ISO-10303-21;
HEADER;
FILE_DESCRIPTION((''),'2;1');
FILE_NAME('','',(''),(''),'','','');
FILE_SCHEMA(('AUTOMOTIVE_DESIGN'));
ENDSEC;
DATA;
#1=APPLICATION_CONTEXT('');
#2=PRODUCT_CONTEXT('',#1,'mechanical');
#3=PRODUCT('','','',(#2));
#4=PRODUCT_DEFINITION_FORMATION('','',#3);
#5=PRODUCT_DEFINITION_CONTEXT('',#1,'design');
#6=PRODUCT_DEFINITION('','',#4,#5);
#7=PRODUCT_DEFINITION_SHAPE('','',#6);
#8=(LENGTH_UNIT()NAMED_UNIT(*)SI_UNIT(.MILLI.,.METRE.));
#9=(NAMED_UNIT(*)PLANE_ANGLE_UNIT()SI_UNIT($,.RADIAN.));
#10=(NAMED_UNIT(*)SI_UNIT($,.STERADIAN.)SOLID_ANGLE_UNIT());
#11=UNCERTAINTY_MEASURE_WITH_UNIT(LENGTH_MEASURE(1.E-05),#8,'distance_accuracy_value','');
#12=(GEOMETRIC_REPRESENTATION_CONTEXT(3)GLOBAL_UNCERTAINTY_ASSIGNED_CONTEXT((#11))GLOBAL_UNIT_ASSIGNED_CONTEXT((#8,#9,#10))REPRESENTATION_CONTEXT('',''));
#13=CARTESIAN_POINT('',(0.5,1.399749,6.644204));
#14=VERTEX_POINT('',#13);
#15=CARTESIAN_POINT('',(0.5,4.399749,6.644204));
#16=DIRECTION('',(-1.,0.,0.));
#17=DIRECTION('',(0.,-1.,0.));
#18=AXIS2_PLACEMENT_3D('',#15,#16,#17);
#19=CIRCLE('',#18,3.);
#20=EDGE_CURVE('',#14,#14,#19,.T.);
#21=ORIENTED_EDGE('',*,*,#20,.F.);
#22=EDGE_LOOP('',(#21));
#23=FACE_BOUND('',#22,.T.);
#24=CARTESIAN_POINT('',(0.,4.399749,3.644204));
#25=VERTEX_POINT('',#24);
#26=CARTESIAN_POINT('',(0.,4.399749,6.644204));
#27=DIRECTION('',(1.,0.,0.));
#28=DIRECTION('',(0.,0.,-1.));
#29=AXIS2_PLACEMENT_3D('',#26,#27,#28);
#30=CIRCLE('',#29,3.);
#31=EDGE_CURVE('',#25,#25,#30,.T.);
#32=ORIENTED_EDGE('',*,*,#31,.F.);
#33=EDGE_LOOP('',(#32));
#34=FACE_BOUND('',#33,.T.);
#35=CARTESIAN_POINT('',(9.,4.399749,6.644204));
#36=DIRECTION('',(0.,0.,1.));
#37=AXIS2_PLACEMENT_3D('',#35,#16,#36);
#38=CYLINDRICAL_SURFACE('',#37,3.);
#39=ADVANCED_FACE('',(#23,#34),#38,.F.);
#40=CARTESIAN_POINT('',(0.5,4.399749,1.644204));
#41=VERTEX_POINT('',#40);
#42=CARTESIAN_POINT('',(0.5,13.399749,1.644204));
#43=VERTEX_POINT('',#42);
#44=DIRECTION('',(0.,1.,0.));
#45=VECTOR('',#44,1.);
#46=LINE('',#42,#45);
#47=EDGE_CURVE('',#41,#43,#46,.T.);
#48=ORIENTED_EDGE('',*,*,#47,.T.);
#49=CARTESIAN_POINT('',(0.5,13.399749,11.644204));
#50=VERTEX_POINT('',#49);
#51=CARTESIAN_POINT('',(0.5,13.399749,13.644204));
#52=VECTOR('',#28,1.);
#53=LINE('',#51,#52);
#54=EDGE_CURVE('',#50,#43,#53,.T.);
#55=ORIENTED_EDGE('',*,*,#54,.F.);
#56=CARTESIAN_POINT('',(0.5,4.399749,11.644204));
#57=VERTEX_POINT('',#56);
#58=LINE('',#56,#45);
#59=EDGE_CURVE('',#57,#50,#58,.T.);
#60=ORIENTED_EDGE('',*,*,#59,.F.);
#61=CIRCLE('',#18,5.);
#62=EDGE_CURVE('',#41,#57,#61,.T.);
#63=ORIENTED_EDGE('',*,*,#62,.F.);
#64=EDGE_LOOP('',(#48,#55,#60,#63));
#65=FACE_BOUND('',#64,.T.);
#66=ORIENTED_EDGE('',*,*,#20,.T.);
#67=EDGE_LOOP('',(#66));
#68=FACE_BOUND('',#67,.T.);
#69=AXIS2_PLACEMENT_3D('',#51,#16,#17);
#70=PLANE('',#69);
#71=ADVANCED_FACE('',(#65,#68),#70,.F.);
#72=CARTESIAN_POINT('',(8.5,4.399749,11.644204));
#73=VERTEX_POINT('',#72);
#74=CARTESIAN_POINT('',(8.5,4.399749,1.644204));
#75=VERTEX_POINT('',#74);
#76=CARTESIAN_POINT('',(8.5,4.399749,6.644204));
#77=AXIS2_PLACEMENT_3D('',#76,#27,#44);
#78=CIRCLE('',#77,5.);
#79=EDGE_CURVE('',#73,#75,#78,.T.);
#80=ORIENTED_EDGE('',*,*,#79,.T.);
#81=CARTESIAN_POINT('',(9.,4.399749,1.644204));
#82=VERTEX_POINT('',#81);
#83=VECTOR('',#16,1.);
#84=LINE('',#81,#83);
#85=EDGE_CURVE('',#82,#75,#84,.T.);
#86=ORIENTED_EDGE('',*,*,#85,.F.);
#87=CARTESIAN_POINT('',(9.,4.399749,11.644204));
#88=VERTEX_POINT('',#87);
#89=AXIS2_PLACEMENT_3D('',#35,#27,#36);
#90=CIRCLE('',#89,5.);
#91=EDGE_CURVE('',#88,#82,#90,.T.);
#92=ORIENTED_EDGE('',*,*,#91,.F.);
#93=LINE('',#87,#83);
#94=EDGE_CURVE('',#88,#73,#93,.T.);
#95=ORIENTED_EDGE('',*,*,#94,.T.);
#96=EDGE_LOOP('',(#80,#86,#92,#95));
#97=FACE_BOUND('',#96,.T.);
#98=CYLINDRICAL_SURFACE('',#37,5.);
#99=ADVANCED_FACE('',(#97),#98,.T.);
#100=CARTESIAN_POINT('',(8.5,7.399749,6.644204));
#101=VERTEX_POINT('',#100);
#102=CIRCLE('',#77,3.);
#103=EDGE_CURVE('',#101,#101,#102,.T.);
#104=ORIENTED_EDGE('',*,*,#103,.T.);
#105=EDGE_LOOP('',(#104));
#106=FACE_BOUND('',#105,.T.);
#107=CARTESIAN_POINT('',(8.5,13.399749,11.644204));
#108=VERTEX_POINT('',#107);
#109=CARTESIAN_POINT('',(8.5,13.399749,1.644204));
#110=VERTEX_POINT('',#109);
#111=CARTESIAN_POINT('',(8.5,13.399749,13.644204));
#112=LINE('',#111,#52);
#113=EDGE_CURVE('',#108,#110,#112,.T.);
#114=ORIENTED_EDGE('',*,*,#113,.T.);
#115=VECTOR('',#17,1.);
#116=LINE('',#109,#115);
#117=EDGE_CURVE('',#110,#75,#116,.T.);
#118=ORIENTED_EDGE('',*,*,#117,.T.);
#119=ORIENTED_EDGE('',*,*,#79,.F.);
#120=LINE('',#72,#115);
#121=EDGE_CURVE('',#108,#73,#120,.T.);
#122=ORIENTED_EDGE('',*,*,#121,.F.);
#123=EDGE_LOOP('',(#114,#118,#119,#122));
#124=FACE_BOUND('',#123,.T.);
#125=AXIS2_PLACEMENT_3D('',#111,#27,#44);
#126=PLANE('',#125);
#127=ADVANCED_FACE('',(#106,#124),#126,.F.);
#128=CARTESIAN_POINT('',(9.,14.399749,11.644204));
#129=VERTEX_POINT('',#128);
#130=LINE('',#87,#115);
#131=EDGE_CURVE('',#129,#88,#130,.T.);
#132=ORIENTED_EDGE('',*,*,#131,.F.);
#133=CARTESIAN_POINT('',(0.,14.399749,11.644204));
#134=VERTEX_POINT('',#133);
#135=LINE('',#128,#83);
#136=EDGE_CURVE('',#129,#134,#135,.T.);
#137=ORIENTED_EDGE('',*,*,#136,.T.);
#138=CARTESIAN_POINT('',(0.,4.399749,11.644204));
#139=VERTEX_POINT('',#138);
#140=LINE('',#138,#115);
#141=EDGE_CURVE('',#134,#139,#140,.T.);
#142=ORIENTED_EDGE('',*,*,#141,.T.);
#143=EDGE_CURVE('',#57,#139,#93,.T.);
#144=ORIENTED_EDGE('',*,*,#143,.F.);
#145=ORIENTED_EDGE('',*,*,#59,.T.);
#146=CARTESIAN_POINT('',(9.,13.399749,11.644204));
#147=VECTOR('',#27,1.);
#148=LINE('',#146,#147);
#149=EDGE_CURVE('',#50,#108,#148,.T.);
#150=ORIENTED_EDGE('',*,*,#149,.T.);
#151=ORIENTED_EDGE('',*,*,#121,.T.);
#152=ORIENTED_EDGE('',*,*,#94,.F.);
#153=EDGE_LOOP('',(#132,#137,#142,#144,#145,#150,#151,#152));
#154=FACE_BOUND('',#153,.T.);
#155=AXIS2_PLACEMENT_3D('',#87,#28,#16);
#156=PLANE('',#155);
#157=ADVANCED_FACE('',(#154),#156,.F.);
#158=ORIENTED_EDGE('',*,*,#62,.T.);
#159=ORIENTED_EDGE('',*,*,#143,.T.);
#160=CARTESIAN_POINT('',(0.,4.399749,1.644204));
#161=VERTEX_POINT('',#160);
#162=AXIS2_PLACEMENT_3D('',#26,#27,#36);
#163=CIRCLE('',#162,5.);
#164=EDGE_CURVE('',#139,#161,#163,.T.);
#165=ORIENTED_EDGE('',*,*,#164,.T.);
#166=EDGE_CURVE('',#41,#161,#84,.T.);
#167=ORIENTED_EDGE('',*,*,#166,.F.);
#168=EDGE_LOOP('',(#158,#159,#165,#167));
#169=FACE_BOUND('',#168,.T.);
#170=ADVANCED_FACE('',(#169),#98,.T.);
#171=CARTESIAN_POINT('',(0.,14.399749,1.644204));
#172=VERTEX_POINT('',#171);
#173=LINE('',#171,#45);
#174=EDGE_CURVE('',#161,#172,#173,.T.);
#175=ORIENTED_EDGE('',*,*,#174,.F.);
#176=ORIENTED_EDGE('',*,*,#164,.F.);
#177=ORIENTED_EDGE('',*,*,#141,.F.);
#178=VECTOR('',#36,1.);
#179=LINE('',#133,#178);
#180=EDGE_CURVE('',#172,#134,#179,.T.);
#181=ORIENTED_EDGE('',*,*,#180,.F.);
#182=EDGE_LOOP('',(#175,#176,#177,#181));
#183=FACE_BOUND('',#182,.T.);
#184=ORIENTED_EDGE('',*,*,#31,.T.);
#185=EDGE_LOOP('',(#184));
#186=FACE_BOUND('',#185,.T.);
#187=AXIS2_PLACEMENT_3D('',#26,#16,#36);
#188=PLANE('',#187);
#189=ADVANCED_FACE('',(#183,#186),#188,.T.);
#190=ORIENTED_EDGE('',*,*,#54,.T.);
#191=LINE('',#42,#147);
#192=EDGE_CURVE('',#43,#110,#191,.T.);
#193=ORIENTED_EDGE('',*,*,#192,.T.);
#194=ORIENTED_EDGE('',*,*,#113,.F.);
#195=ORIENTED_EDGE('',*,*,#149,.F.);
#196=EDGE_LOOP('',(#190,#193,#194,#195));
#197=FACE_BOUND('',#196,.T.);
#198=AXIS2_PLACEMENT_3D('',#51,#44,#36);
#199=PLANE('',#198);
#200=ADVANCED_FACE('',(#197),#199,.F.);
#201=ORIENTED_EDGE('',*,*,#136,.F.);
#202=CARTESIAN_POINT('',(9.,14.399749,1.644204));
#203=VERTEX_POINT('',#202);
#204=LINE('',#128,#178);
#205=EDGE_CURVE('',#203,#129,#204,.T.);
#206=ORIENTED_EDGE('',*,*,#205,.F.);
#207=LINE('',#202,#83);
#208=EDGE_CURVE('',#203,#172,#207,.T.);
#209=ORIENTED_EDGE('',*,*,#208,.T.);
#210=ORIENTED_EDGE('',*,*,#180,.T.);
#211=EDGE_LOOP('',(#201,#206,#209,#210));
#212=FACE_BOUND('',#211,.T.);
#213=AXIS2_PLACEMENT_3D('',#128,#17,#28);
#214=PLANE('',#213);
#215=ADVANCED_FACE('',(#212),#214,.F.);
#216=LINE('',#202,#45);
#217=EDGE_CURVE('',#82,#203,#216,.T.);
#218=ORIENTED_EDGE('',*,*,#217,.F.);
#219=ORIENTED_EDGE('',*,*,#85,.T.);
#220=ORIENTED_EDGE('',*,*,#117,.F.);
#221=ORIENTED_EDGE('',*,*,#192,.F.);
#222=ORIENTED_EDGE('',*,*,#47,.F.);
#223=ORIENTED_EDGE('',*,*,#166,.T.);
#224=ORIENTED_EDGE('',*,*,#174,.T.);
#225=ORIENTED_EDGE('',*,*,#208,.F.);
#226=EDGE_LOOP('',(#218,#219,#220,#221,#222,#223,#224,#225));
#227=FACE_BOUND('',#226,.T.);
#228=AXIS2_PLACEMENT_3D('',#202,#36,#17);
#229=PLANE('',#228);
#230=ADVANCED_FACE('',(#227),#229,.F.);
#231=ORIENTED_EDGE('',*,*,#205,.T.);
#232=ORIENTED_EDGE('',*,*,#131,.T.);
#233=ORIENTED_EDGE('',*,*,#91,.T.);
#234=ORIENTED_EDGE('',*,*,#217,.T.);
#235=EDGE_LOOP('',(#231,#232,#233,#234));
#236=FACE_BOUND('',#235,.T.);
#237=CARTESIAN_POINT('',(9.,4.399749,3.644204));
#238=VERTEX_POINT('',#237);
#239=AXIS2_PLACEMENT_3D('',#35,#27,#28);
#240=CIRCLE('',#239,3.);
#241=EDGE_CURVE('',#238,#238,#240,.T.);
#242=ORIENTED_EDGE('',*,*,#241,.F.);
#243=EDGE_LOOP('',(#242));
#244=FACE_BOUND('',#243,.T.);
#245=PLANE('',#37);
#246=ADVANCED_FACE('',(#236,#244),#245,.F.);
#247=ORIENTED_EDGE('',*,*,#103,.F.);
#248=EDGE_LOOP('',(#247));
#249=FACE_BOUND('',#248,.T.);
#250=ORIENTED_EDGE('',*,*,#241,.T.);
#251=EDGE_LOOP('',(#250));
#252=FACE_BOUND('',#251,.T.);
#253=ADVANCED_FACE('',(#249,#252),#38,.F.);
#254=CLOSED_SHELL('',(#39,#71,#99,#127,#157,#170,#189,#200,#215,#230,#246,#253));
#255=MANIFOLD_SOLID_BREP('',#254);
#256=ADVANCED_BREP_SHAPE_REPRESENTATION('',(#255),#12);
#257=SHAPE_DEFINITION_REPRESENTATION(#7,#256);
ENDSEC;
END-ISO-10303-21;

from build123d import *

# Parameters (mm, degrees)
SKETCH1_R           = 3
BOSS_EXTRUDE1_DEPTH = 9
SKETCH3_W           = 8
SKETCH3_H           = 14.926112698
CUT_EXTRUDE1_DEPTH  = 12


with BuildPart() as part:
    # Sketch1 → Boss-Extrude1 (new body)
    with BuildSketch(Plane(origin=(0, 0, 0), x_dir=(0, 0, -1), z_dir=(1, 0, 0))):
        with BuildLine():
            Line((-11.644204214, 4.399749293), (-11.644204214, 14.399749293))
            Line((-11.644204214, 14.399749293), (-1.644204214, 14.399749293))
            Line((-1.644204214, 14.399749293), (-1.644204214, 4.399749293))
            ThreePointArc((-1.644204214, 4.399749293), (-6.644204214, -0.600250707), (-11.644204214, 4.399749293))
        make_face()
        with Locations((-6.644204214, 4.399749293)):
            Circle(SKETCH1_R, mode=Mode.SUBTRACT)
    extrude(amount=BOSS_EXTRUDE1_DEPTH)

    # Sketch3 → Cut-Extrude1 (cut)
    with BuildSketch(Plane(origin=(0, 0, 1.644204214), x_dir=(-1, 0, 0), z_dir=(0, 0, -1))):
        with Locations((-4.5, 5.936692944)):
            Rectangle(SKETCH3_W, SKETCH3_H)
    extrude(amount=-CUT_EXTRUDE1_DEPTH, mode=Mode.SUBTRACT)


solid = part.part
